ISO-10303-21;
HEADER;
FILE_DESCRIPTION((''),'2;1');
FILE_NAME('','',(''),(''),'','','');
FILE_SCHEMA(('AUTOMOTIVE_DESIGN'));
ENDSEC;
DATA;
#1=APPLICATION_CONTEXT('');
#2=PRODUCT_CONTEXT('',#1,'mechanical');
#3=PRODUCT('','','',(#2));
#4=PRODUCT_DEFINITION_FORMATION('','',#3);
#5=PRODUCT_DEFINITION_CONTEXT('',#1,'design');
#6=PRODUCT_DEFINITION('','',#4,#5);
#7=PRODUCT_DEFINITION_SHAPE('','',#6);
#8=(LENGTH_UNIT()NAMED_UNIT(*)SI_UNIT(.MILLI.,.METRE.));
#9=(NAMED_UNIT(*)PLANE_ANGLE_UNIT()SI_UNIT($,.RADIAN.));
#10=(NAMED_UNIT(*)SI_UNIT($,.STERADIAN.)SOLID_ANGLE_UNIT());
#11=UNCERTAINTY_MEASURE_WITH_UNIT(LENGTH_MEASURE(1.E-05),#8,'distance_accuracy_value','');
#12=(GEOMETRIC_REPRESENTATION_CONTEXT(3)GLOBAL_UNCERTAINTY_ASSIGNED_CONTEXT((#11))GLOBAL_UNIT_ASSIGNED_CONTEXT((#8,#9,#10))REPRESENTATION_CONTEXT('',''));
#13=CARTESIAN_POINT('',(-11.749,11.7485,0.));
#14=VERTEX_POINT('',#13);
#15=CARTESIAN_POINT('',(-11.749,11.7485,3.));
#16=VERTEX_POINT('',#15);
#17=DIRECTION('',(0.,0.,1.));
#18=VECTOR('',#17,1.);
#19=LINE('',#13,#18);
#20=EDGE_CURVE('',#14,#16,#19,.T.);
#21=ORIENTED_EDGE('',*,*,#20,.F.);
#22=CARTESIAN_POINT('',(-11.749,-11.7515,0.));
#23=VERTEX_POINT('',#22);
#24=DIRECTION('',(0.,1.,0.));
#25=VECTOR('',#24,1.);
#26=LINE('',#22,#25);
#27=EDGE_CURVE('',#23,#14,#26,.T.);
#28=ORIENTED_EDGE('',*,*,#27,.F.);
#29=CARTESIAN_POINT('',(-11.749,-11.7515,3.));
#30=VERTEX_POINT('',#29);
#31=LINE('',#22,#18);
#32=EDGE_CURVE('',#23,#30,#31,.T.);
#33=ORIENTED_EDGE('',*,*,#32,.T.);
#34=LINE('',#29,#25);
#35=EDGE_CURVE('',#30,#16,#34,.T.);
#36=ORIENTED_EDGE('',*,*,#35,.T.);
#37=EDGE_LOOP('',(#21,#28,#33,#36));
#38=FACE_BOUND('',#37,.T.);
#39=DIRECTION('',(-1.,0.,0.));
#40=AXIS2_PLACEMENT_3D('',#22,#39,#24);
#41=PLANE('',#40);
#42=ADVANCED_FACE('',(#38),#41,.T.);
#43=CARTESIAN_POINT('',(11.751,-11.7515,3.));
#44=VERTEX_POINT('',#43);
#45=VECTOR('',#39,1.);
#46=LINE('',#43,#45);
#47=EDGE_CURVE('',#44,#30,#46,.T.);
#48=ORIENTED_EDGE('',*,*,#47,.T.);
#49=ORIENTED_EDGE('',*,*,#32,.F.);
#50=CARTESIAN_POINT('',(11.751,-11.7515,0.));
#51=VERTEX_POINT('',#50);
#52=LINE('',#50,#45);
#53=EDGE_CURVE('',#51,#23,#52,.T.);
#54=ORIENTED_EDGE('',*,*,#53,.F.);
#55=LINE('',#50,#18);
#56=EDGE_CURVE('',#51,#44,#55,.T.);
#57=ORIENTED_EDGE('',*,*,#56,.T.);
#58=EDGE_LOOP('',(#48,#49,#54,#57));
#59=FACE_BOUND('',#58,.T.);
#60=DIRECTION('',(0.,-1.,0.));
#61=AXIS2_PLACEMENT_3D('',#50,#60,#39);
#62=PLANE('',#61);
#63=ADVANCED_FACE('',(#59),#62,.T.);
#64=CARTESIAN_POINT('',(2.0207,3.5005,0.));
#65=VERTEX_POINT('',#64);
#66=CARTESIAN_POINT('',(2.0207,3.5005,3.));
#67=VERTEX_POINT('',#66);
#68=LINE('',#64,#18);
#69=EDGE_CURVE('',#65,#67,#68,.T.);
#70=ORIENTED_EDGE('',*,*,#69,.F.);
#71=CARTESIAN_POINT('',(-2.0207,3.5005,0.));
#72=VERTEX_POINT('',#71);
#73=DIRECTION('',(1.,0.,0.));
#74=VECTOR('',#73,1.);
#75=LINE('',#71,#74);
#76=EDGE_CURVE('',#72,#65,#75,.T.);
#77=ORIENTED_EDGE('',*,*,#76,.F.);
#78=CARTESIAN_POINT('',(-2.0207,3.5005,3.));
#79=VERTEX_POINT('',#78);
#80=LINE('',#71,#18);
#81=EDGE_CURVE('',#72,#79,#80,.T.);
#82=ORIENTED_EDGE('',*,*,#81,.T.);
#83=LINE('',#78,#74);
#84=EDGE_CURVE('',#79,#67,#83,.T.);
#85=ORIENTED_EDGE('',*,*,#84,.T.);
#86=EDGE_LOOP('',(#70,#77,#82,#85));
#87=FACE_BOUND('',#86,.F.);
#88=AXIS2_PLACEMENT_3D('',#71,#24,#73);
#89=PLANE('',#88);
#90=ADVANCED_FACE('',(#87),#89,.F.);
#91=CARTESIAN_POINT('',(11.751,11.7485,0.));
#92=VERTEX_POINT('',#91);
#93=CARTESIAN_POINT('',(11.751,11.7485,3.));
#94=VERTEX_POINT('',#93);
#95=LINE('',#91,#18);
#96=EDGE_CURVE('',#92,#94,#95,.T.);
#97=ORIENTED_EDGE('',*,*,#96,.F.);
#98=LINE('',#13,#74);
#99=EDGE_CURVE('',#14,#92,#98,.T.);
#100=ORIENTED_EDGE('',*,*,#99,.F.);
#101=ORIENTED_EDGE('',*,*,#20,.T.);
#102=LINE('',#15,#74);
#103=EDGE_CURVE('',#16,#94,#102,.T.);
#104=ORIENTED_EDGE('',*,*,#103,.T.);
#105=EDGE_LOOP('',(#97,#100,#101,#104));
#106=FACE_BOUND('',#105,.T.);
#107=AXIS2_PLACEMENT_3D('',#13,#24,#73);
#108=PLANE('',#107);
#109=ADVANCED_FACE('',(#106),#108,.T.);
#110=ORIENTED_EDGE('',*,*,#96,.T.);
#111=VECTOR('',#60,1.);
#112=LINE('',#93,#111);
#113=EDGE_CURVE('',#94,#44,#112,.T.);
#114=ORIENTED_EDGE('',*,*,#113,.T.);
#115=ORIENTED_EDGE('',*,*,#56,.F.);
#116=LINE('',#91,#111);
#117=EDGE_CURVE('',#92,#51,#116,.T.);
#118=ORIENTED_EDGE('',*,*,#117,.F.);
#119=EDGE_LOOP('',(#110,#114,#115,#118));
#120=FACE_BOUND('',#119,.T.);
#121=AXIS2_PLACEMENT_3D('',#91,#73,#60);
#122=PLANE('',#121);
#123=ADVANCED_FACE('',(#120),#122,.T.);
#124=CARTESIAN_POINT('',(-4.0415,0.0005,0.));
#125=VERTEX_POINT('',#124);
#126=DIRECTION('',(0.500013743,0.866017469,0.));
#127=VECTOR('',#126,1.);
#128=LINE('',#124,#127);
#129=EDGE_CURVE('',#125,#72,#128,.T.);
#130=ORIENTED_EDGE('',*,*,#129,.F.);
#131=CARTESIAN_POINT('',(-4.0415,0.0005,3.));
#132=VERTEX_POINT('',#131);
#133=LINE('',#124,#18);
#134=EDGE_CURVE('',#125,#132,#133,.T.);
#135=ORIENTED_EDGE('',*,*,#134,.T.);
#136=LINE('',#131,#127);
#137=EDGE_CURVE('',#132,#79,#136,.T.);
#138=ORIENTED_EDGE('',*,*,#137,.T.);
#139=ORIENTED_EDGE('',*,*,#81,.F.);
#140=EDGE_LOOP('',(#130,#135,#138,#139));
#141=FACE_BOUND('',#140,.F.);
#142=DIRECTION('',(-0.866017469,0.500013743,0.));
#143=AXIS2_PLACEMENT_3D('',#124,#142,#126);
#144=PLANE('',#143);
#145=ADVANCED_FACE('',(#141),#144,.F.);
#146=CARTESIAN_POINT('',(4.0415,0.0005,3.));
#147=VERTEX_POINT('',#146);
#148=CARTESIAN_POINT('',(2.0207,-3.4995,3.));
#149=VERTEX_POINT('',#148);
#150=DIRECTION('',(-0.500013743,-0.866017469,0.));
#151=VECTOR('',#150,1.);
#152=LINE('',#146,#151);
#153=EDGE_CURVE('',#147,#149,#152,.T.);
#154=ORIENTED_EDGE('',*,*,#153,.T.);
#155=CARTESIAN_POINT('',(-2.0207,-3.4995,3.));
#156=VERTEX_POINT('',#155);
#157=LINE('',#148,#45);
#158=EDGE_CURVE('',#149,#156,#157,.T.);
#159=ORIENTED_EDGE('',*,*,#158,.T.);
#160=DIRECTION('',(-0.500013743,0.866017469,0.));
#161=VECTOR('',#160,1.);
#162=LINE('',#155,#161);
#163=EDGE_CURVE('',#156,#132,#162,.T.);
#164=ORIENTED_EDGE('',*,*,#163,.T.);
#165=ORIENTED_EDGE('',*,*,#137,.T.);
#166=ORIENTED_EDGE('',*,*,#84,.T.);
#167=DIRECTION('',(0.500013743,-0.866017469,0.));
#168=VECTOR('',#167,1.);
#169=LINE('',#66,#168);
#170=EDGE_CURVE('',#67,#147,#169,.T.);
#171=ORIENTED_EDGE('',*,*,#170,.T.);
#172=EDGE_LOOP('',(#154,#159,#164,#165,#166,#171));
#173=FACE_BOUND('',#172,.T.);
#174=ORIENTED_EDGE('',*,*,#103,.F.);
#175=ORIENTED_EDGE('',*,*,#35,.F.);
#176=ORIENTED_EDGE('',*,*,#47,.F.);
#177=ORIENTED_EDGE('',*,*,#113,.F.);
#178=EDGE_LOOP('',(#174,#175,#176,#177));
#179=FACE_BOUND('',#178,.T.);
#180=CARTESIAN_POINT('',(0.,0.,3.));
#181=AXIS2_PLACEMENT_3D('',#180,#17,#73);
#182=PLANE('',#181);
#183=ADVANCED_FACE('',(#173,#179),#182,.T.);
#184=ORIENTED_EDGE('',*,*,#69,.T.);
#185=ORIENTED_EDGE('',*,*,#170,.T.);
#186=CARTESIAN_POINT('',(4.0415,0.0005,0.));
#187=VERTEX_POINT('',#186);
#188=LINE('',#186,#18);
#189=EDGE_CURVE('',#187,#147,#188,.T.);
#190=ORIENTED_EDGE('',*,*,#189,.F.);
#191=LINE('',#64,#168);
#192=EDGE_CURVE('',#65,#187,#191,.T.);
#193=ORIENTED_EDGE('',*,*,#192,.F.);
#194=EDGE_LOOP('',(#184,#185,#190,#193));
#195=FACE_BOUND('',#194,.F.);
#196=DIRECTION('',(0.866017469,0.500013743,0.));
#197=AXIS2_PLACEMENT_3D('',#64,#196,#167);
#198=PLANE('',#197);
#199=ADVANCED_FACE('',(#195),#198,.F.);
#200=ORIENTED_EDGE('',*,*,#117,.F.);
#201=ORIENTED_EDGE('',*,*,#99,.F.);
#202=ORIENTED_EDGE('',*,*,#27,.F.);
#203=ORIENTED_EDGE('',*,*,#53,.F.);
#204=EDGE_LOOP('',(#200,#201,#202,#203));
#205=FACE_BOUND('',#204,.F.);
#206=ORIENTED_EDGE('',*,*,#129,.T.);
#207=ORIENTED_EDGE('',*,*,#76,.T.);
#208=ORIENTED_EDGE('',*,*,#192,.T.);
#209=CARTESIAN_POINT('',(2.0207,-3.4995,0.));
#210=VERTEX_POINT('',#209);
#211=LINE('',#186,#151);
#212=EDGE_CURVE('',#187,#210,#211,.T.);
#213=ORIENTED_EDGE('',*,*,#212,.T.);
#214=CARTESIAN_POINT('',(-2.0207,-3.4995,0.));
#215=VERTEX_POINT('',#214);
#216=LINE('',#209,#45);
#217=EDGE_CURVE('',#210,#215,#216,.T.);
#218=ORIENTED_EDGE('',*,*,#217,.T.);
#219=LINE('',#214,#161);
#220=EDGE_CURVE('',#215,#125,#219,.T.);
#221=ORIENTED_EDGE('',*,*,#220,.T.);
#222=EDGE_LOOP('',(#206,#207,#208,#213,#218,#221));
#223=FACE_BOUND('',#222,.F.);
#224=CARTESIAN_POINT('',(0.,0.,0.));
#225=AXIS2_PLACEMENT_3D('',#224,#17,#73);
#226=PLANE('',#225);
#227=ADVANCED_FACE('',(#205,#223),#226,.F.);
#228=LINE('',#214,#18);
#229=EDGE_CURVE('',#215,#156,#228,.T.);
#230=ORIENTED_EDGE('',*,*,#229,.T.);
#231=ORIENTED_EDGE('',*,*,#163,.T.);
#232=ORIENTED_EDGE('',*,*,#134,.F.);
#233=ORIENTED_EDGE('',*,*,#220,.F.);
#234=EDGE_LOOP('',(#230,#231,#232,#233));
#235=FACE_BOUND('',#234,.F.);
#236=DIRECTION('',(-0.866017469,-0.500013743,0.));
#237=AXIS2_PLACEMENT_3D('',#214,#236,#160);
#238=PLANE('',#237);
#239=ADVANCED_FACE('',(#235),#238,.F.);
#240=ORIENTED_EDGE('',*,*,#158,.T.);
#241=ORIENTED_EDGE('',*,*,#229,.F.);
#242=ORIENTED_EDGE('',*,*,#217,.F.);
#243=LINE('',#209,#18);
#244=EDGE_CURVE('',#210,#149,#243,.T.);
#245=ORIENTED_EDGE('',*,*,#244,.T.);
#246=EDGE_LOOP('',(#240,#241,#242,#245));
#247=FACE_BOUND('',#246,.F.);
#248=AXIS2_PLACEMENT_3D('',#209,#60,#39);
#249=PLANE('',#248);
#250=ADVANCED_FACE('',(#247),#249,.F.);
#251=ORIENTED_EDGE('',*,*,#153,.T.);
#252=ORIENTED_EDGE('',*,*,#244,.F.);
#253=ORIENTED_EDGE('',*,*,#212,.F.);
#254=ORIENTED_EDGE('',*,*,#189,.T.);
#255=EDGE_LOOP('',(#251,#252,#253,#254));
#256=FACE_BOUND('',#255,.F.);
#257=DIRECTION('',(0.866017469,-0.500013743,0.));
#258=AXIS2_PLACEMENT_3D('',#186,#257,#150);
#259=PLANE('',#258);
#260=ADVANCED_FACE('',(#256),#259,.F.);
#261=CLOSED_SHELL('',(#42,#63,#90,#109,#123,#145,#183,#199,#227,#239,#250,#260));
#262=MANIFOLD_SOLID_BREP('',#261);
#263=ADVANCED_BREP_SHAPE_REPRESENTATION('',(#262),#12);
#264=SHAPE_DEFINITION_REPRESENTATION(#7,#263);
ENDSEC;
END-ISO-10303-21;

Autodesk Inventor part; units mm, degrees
ref_plane "YZ Plane" through (0, 0, 0) normal (1, 0, 0) x (0, 1, 0)
ref_plane "XZ Plane" through (0, 0, 0) normal (0, 1, 0) x (-1, 0, 0)
ref_plane "XY Plane" through (0, 0, 0) normal (0, 0, 1) x (1, 0, 0)
sketch "Sketch1" plane through (0, 0, 0) normal (0, 0, 1) x (1, 0, 0)
  line L0 (-2.0207, 3.5005) -> (2.0207, 3.5005)
  line L1 (2.0207, 3.5005) -> (4.0415, 0.0005)
  line L2 (-4.0415, 0.0005) -> (-2.0207, 3.5005)
  line L3 (-2.0207, -3.4995) -> (-4.0415, 0.0005)
  line L4 (4.0415, 0.0005) -> (2.0207, -3.4995)
  line L5 (2.0207, -3.4995) -> (-2.0207, -3.4995)
  line L6 (-11.749, 11.7485) -> (11.751, 11.7485)
  line L7 (11.751, 11.7485) -> (11.751, -11.7515)
  line L8 (11.751, -11.7515) -> (-11.749, -11.7515)
  line L9 (-11.749, -11.7515) -> (-11.749, 11.7485)
  point P0 (0, 0)
  point P1 (0.001, -0.0015)
  dimension "d7" = 23.5
  dimension "d8" = 23.5
extrude "Extrusion1" add sketch "Sketch1" along normal blind 3
properties part number "hex slot holder" material "Gold"
